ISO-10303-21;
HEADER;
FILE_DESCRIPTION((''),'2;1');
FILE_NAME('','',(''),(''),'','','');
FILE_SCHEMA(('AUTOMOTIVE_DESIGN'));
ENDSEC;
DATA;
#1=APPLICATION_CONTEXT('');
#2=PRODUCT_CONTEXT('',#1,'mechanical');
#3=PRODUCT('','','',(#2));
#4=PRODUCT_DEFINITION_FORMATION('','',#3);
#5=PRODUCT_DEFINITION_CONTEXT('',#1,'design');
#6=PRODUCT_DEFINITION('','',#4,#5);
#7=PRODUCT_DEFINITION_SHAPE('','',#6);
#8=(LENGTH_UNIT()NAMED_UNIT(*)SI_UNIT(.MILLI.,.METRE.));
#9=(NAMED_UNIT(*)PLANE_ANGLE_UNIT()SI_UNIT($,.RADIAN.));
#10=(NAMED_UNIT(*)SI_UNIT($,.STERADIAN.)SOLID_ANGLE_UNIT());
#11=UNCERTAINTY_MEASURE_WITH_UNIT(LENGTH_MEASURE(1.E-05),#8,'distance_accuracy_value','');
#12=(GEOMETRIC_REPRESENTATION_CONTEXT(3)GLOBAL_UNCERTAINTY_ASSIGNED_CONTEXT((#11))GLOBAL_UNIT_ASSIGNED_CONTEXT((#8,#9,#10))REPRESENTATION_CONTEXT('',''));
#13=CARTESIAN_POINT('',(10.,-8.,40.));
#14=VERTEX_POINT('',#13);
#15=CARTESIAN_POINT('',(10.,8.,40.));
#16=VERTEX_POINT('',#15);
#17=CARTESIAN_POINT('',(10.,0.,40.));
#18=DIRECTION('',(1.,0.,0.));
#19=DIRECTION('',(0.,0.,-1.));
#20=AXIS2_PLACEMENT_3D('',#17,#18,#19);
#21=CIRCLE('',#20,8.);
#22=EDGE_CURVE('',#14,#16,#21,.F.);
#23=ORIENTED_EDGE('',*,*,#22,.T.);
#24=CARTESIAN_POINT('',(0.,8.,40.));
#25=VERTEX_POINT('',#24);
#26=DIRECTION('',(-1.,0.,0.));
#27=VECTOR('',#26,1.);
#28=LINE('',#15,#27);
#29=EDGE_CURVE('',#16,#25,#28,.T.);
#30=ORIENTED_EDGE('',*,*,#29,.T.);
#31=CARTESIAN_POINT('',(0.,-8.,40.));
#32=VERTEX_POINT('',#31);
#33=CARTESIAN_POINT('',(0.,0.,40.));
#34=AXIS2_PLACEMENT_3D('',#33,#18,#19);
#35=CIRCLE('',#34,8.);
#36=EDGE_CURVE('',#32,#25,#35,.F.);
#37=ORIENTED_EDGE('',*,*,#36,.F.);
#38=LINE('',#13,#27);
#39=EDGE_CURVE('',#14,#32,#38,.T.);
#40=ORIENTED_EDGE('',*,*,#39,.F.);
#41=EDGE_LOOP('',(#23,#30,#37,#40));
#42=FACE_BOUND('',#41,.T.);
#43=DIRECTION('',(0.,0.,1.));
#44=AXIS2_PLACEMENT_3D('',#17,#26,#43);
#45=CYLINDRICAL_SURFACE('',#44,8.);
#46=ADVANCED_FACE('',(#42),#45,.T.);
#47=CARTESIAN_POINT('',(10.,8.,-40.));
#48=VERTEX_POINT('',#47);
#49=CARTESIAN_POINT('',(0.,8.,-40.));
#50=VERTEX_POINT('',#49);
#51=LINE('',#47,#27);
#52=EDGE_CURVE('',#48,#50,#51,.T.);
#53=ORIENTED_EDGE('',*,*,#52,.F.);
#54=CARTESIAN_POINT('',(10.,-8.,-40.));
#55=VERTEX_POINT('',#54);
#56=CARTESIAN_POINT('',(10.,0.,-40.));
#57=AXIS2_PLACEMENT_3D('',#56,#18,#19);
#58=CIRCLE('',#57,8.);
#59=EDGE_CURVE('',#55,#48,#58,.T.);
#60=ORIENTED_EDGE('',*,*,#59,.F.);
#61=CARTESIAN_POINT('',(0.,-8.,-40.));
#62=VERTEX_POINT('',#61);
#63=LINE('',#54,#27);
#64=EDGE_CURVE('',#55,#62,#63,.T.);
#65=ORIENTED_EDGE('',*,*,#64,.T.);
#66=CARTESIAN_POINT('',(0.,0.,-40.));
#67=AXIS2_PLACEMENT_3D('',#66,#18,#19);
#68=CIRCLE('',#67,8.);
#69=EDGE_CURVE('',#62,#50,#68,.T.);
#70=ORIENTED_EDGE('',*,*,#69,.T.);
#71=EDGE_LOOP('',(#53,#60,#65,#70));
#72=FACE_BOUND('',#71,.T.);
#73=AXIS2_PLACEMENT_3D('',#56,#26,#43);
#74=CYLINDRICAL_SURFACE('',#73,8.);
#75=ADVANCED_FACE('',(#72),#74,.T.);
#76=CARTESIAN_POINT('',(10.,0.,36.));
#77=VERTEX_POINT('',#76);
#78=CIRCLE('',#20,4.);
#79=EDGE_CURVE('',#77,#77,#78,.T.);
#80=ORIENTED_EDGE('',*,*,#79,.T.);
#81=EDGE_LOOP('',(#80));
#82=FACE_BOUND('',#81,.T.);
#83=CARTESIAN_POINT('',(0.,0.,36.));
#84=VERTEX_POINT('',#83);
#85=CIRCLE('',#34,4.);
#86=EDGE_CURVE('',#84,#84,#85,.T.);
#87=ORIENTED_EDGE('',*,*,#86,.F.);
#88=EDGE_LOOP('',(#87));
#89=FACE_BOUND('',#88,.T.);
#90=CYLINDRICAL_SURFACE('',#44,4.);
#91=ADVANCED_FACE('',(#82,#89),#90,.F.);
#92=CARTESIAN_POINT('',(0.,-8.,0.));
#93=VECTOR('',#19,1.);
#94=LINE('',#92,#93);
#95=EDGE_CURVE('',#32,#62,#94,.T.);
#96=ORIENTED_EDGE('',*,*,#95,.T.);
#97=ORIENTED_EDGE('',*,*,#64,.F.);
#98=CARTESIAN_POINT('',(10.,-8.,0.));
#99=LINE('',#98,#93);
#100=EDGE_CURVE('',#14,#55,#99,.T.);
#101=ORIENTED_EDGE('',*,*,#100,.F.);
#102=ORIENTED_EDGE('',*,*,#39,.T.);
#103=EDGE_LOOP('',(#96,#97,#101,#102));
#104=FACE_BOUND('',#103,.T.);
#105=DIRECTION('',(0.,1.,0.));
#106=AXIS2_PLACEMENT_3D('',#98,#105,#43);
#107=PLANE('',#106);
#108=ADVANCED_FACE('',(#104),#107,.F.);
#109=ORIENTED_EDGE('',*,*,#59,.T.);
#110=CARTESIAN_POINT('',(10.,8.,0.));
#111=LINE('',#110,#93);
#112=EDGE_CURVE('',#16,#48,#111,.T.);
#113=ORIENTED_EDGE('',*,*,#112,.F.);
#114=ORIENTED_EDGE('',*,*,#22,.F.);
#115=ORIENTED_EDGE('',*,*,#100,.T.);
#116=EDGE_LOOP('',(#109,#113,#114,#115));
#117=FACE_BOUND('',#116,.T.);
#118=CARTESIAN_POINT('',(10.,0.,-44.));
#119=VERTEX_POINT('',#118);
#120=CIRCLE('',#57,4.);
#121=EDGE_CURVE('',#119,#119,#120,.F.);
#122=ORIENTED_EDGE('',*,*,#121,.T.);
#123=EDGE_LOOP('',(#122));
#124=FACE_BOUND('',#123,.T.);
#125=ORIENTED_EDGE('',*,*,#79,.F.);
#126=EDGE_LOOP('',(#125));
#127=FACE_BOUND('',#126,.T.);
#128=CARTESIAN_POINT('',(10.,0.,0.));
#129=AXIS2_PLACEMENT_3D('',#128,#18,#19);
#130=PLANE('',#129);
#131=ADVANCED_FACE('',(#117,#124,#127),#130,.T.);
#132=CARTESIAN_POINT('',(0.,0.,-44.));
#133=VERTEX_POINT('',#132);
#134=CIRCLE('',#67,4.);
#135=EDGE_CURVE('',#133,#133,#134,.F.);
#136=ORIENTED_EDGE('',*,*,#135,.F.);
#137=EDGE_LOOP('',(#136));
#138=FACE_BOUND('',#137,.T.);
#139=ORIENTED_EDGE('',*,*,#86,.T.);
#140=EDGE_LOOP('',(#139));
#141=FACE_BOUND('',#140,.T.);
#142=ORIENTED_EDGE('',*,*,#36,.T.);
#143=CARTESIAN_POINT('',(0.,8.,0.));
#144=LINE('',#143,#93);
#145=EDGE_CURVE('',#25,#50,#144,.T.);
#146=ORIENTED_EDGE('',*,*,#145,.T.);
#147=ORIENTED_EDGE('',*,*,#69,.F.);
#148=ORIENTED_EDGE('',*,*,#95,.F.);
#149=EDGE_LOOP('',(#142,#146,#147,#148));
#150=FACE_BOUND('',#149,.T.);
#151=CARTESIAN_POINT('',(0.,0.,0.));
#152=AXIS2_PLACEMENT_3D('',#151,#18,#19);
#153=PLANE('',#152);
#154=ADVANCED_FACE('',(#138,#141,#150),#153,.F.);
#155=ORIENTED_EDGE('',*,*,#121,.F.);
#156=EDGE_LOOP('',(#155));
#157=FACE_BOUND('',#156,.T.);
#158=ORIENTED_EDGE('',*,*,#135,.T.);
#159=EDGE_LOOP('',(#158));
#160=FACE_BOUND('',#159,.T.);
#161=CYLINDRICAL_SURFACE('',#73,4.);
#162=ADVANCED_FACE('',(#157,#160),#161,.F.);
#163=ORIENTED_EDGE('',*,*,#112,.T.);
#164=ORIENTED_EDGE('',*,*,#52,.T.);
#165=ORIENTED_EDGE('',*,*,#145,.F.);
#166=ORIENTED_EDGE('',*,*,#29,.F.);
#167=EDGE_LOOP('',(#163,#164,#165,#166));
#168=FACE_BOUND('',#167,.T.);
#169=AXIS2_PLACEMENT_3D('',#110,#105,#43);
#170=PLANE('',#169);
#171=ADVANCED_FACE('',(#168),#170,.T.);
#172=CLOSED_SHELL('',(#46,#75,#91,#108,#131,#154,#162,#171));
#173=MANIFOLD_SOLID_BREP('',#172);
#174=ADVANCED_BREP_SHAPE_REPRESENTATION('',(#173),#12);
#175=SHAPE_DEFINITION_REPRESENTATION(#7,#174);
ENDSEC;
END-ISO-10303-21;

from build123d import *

# Parameters (mm, degrees)
SKETCH_1_R      = 4
EXTRUDE_1_DEPTH = 10


with BuildPart() as part:
    # 草图1 → 凸台-拉伸1 (new body)
    with BuildSketch(Plane(origin=(0, 0, 0), x_dir=(0, 0, -1), z_dir=(1, 0, 0))):
        with BuildLine():
            Line((-40, 8), (40, 8))
            ThreePointArc((40, 8), (48, 0), (40, -8))
            Line((40, -8), (-40, -8))
            ThreePointArc((-40, -8), (-48, 0), (-40, 8))
        make_face()
        with Locations((40, 0)):
            Circle(SKETCH_1_R, mode=Mode.SUBTRACT)
        with Locations((-40, 0)):
            Circle(SKETCH_1_R, mode=Mode.SUBTRACT)
    extrude(amount=EXTRUDE_1_DEPTH)


solid = part.part
